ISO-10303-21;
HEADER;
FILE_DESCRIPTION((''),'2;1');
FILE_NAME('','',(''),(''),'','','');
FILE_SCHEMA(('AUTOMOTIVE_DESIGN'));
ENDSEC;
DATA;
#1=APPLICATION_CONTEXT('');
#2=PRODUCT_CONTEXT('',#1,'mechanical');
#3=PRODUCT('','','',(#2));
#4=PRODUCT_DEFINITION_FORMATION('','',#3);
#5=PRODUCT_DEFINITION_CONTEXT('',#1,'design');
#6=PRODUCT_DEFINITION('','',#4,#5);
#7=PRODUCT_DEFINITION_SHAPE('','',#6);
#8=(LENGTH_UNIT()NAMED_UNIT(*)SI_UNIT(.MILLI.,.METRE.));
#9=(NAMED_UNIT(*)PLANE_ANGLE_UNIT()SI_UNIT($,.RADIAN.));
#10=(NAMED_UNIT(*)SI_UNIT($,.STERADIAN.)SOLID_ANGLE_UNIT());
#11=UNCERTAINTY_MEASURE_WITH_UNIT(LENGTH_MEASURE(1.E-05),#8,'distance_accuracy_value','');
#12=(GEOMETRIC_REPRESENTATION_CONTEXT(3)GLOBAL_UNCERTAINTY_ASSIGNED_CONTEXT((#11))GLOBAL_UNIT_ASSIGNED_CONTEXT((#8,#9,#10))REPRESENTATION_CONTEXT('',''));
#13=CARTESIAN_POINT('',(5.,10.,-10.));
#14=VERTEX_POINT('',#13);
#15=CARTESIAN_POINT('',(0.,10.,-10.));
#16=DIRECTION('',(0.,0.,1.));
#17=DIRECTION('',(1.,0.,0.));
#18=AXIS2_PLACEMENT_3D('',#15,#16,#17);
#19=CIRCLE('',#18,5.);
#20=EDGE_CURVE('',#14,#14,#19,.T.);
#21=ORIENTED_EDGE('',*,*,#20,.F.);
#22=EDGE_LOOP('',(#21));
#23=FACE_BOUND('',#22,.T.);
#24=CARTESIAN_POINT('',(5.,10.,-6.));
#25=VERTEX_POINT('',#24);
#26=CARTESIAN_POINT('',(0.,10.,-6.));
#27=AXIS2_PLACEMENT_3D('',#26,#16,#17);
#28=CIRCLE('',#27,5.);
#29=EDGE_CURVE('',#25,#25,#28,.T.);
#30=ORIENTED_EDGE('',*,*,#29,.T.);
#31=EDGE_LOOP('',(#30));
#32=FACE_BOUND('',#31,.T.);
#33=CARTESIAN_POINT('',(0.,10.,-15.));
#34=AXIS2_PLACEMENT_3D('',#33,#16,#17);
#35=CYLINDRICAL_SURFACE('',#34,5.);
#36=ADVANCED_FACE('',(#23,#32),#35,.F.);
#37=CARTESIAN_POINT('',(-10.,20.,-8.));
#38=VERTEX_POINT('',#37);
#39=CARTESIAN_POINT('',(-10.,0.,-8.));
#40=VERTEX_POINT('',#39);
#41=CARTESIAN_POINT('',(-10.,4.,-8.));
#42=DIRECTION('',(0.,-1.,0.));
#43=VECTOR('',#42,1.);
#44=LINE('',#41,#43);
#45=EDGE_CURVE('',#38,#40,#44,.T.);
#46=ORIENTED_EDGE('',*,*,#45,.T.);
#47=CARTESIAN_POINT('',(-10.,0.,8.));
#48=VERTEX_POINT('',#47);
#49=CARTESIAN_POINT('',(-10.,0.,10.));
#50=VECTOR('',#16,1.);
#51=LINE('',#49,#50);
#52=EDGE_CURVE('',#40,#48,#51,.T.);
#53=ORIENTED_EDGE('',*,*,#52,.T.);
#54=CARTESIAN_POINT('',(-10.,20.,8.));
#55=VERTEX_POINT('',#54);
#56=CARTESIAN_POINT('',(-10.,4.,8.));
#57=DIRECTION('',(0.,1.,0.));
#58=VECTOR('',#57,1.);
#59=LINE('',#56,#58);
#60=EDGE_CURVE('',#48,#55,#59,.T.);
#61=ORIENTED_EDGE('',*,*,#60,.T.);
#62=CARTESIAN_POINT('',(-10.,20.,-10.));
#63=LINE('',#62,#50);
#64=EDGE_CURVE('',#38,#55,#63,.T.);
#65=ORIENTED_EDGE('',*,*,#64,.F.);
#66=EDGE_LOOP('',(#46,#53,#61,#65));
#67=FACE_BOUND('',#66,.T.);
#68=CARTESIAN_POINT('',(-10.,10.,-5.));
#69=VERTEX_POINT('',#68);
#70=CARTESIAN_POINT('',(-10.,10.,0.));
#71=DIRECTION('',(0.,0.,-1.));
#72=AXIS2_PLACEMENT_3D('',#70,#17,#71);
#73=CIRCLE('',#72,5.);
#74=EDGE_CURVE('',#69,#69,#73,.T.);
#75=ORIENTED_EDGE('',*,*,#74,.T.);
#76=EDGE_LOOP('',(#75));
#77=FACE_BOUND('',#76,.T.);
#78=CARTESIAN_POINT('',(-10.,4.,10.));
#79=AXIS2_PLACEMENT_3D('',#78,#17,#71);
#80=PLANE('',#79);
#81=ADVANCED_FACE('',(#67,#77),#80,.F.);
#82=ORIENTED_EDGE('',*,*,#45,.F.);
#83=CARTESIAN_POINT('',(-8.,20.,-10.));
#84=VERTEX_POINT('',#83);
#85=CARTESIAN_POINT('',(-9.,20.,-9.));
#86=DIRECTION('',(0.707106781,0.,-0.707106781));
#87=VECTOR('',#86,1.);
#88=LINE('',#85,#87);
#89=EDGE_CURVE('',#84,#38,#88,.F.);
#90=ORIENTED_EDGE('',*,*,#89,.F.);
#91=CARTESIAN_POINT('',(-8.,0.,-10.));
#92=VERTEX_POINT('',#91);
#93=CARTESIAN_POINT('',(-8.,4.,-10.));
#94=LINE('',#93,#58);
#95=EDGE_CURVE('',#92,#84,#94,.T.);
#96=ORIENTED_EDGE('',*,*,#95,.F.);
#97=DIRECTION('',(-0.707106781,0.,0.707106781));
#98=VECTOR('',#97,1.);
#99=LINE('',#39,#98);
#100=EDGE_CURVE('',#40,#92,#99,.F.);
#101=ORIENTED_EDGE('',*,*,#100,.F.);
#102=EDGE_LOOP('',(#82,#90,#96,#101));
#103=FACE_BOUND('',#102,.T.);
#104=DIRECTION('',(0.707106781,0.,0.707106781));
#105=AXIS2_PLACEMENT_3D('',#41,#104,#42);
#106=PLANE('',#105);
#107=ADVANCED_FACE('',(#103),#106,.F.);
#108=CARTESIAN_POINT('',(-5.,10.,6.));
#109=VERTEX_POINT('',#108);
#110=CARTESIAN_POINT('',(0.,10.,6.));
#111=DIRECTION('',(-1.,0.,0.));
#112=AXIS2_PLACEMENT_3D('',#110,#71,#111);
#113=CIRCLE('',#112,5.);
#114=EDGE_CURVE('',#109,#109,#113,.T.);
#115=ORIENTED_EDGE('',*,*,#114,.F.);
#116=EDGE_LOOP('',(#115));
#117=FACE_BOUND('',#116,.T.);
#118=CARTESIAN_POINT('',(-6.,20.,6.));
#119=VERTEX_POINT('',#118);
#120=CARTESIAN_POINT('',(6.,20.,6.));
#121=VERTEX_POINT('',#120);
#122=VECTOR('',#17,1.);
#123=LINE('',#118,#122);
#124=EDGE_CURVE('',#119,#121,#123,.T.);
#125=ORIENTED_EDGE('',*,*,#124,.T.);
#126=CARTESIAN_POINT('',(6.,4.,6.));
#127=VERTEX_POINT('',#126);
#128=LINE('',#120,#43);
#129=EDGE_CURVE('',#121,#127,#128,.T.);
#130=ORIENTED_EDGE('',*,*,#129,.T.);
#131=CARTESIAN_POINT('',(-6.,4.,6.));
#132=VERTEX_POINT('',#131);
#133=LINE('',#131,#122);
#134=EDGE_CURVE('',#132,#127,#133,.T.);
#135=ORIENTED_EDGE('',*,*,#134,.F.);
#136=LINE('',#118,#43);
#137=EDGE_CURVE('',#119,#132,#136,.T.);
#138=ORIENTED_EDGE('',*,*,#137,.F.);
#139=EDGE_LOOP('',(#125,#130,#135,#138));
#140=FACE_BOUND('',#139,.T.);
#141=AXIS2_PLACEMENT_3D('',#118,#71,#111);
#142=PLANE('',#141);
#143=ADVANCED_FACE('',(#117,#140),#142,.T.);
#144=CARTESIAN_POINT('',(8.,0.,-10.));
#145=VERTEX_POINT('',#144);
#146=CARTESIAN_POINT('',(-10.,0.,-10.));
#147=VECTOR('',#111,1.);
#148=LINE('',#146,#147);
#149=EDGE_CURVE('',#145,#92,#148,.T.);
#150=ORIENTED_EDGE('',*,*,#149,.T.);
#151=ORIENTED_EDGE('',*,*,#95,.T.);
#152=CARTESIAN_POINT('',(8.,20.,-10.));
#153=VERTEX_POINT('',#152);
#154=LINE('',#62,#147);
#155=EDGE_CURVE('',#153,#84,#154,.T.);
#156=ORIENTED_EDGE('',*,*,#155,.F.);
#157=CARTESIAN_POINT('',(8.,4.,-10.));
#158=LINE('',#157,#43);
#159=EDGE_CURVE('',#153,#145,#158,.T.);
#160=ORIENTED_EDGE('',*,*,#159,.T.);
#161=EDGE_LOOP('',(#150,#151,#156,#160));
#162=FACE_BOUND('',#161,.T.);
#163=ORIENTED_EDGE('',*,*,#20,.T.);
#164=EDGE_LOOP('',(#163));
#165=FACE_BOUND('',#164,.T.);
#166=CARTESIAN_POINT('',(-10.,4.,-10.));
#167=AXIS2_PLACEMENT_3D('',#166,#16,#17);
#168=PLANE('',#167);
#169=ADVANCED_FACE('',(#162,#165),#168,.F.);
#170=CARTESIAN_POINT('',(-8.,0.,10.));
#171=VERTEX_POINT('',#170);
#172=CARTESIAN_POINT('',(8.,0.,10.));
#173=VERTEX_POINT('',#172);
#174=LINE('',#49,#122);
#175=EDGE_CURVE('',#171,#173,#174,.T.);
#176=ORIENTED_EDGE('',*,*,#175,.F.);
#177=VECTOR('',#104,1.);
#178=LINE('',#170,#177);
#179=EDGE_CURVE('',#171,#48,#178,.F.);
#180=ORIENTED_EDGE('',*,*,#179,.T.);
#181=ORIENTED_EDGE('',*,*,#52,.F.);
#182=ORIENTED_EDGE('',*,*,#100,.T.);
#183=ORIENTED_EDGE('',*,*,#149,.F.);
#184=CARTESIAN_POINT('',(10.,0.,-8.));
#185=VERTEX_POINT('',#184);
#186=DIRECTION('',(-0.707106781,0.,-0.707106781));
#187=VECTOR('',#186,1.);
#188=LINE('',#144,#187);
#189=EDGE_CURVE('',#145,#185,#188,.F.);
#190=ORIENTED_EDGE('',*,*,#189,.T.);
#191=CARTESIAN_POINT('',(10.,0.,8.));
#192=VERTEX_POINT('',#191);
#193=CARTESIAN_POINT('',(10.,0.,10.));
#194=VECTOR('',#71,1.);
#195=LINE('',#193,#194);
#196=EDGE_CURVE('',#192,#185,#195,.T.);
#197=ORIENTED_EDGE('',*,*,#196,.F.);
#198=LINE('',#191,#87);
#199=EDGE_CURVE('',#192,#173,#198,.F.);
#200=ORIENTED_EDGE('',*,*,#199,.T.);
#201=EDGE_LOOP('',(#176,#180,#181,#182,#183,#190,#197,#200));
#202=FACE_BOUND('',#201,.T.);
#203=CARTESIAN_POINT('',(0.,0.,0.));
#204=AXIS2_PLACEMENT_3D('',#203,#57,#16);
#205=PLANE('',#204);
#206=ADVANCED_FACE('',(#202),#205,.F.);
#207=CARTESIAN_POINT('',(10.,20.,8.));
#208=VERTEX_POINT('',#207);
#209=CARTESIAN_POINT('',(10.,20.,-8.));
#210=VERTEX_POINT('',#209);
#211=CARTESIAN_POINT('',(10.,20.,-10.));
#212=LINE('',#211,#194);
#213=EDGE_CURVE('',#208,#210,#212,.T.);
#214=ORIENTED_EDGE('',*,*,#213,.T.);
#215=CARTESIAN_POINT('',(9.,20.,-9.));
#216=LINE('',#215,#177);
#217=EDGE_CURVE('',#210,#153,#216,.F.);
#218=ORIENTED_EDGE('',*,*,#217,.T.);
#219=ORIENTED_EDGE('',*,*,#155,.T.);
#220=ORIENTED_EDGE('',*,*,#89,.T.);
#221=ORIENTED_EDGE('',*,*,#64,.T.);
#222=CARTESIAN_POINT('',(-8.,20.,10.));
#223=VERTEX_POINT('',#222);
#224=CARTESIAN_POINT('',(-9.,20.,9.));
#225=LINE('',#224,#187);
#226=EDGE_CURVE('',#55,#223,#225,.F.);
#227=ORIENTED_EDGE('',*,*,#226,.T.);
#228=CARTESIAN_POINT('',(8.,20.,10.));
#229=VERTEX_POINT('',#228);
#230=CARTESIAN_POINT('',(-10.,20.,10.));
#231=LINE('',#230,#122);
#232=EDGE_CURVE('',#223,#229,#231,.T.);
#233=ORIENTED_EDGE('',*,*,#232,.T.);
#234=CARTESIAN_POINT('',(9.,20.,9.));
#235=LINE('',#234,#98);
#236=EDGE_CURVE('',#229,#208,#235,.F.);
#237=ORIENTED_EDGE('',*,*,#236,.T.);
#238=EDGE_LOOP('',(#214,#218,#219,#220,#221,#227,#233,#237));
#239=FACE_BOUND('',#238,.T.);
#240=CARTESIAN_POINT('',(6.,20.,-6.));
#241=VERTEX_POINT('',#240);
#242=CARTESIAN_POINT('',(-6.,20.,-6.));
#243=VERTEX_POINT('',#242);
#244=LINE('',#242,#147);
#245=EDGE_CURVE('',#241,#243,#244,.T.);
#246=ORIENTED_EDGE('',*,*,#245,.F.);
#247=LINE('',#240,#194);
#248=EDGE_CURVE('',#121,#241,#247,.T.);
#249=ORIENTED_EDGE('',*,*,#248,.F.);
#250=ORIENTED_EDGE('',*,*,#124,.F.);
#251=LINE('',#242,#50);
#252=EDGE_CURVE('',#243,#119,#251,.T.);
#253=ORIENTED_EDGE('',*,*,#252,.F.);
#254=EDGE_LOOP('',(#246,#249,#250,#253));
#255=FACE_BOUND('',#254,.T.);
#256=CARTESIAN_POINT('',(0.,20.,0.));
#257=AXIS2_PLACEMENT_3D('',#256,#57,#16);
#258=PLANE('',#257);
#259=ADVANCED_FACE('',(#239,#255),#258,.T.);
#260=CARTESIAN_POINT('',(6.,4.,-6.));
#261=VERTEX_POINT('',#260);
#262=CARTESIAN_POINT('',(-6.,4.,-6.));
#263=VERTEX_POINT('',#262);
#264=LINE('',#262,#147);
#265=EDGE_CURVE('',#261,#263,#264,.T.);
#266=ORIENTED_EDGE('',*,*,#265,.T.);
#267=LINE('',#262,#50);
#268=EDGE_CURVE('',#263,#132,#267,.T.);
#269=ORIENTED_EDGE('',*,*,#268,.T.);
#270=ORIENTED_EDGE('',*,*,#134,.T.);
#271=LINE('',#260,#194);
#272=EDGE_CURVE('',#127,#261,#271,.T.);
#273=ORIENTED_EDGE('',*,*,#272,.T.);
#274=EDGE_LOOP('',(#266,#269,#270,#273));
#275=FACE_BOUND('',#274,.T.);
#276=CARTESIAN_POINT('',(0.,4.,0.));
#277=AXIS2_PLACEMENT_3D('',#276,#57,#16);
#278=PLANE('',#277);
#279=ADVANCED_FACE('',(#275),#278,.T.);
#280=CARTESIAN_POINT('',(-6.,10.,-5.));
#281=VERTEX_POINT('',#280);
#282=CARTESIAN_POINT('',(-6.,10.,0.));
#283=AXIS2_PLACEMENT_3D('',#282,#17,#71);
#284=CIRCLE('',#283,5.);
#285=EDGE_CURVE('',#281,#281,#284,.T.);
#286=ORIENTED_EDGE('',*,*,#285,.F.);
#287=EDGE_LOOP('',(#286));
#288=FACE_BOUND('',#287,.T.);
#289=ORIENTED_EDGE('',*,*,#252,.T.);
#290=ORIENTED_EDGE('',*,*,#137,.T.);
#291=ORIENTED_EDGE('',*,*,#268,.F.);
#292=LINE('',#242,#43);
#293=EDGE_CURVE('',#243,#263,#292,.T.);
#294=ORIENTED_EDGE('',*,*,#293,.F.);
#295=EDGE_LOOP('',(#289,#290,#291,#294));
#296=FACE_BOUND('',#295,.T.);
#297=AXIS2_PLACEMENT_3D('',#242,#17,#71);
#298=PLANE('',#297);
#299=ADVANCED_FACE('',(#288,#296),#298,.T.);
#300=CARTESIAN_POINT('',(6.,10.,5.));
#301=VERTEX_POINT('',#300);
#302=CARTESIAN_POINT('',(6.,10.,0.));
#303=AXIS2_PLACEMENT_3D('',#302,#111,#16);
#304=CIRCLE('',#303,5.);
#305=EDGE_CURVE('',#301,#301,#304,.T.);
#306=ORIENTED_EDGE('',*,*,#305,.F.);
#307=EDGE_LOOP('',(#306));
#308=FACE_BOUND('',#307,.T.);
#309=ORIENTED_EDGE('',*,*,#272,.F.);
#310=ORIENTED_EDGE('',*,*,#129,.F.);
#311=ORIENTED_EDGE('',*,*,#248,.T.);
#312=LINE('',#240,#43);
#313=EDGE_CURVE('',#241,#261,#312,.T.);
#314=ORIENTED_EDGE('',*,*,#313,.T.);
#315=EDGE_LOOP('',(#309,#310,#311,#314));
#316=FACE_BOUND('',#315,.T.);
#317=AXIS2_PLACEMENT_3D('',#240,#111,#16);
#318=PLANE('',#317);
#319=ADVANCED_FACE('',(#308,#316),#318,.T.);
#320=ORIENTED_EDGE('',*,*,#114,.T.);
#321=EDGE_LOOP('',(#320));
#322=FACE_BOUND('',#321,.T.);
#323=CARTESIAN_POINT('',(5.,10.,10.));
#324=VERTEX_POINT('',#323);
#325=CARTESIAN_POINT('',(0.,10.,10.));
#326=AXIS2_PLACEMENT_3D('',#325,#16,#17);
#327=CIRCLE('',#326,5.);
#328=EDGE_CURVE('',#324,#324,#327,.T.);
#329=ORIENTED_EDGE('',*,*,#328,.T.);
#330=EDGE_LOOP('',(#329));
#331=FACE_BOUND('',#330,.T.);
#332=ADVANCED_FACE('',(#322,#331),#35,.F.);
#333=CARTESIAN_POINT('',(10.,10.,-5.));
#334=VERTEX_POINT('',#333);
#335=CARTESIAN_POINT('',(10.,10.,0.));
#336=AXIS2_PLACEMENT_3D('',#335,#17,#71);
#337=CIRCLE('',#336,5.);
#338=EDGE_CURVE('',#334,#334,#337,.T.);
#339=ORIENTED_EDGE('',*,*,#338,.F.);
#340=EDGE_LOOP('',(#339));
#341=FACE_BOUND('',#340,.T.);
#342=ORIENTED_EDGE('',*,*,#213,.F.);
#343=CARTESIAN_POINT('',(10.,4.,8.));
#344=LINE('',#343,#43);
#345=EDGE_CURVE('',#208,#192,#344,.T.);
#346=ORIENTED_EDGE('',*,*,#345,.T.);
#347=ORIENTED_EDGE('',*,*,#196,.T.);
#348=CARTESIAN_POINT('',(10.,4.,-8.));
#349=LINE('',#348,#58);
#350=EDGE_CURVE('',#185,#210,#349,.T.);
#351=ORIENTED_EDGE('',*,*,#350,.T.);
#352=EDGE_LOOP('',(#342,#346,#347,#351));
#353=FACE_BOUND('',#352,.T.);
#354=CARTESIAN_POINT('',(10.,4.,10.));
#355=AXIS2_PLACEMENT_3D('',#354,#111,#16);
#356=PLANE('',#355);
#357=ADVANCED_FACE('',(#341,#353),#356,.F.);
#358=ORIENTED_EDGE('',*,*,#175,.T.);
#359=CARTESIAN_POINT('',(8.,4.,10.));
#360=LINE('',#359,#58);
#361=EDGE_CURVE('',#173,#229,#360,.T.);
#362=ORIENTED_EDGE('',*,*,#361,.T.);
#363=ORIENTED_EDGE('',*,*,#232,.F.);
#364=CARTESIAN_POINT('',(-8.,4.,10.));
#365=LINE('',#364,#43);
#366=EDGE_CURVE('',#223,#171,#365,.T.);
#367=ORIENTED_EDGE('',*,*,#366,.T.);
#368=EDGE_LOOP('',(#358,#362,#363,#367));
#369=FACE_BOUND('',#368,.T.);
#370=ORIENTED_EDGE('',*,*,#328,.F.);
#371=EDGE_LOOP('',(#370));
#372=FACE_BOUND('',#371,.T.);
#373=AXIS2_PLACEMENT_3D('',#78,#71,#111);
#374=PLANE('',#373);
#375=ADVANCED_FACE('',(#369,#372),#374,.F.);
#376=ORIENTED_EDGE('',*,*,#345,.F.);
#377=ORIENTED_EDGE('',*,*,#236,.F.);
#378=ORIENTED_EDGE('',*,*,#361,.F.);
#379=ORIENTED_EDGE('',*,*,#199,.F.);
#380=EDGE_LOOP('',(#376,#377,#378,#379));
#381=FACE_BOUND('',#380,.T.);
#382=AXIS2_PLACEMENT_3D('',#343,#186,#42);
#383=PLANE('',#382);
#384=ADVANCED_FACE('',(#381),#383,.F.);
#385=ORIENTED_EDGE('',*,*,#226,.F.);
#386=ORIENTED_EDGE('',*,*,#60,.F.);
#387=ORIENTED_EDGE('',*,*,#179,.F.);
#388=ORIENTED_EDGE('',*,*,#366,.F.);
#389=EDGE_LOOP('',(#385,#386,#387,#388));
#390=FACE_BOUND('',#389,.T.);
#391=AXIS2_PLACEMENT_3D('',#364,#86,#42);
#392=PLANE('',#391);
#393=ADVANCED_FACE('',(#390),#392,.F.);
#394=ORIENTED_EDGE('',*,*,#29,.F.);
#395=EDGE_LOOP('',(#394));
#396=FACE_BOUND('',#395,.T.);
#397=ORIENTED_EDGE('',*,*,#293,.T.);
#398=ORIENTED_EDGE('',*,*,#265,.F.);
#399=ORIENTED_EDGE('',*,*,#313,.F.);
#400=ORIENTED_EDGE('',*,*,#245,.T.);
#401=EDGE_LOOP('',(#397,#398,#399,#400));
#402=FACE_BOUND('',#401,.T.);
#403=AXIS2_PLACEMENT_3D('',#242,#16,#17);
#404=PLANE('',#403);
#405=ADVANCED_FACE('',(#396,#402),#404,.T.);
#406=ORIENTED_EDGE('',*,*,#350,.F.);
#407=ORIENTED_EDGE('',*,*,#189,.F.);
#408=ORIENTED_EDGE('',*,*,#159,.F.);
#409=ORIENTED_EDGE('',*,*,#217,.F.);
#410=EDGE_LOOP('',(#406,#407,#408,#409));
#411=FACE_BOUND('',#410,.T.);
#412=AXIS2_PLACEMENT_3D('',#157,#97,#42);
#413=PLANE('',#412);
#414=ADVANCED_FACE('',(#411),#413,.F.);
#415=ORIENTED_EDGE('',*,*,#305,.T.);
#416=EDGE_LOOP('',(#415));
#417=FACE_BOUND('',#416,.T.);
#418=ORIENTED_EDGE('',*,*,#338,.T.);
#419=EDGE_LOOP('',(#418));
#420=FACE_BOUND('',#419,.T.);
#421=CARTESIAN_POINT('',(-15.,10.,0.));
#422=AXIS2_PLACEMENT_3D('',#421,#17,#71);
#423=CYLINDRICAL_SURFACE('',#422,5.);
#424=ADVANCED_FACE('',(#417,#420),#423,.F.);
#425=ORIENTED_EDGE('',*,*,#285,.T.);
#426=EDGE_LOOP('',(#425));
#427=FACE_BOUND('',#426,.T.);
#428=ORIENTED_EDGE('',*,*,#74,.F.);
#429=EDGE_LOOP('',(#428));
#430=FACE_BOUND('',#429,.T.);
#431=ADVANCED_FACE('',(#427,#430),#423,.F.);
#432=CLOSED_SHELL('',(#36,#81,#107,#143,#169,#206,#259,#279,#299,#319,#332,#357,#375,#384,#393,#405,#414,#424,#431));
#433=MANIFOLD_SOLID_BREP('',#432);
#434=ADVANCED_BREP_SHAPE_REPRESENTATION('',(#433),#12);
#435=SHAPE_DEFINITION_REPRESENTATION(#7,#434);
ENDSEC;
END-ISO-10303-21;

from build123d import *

# Parameters (mm, degrees)
ESQUISSE1_W             = 20
ESQUISSE1_H             = 20
BOSS_EXTRU_1_DEPTH      = 4
ESQUISSE4_W             = 20
ESQUISSE4_H             = 20
ESQUISSE4_W_2           = 12
ESQUISSE4_H_2           = 12
BOSS_EXTRU_2_DEPTH      = 16
ESQUISSE6_R             = 5
ENL_V_MAT_EXTRU_3_DEPTH = 25
ESQUISSE5_R             = 5
ENL_V_MAT_EXTRU_4_DEPTH = 25
CHANFREIN1_SIZE         = 2


with BuildPart() as part:
    # Esquisse1 → Boss.-Extru.1 (new body)
    with BuildSketch(Plane(origin=(0, 0, 0), x_dir=(1, 0, 0), z_dir=(0, 1, 0))):
        Rectangle(ESQUISSE1_W, ESQUISSE1_H)
    extrude(amount=BOSS_EXTRU_1_DEPTH)

    # Esquisse4 → Boss.-Extru.2 (add)
    with BuildSketch(Plane(origin=(0, 4, 0), x_dir=(1, 0, 0), z_dir=(0, 1, 0))):
        Rectangle(ESQUISSE4_W, ESQUISSE4_H)
        Rectangle(ESQUISSE4_W_2, ESQUISSE4_H_2, mode=Mode.SUBTRACT)
    extrude(amount=BOSS_EXTRU_2_DEPTH)

    # Esquisse6 → Enlèv. mat.-Extru.3 (cut)
    with BuildSketch(Plane(origin=(10, 0, 0), x_dir=(0, 0, -1), z_dir=(1, 0, 0))):
        with Locations((0, 10)):
            Circle(ESQUISSE6_R)
    extrude(amount=-ENL_V_MAT_EXTRU_3_DEPTH, mode=Mode.SUBTRACT)

    # Esquisse5 → Enlèv. mat.-Extru.4 (cut)
    with BuildSketch(Plane.XY.offset(10)):
        with Locations((0, 10)):
            Circle(ESQUISSE5_R)
    extrude(amount=-ENL_V_MAT_EXTRU_4_DEPTH, mode=Mode.SUBTRACT)

    # Chanfrein1
    chanfrein1_edges = [part.edges().sort_by_distance(p)[0] for p in [
        (10, 10, -10),
        (10, 10, 10),
        (-10, 10, 10),
        (-10, 10, -10),
    ]]
    chamfer(chanfrein1_edges, length=CHANFREIN1_SIZE)


solid = part.part
